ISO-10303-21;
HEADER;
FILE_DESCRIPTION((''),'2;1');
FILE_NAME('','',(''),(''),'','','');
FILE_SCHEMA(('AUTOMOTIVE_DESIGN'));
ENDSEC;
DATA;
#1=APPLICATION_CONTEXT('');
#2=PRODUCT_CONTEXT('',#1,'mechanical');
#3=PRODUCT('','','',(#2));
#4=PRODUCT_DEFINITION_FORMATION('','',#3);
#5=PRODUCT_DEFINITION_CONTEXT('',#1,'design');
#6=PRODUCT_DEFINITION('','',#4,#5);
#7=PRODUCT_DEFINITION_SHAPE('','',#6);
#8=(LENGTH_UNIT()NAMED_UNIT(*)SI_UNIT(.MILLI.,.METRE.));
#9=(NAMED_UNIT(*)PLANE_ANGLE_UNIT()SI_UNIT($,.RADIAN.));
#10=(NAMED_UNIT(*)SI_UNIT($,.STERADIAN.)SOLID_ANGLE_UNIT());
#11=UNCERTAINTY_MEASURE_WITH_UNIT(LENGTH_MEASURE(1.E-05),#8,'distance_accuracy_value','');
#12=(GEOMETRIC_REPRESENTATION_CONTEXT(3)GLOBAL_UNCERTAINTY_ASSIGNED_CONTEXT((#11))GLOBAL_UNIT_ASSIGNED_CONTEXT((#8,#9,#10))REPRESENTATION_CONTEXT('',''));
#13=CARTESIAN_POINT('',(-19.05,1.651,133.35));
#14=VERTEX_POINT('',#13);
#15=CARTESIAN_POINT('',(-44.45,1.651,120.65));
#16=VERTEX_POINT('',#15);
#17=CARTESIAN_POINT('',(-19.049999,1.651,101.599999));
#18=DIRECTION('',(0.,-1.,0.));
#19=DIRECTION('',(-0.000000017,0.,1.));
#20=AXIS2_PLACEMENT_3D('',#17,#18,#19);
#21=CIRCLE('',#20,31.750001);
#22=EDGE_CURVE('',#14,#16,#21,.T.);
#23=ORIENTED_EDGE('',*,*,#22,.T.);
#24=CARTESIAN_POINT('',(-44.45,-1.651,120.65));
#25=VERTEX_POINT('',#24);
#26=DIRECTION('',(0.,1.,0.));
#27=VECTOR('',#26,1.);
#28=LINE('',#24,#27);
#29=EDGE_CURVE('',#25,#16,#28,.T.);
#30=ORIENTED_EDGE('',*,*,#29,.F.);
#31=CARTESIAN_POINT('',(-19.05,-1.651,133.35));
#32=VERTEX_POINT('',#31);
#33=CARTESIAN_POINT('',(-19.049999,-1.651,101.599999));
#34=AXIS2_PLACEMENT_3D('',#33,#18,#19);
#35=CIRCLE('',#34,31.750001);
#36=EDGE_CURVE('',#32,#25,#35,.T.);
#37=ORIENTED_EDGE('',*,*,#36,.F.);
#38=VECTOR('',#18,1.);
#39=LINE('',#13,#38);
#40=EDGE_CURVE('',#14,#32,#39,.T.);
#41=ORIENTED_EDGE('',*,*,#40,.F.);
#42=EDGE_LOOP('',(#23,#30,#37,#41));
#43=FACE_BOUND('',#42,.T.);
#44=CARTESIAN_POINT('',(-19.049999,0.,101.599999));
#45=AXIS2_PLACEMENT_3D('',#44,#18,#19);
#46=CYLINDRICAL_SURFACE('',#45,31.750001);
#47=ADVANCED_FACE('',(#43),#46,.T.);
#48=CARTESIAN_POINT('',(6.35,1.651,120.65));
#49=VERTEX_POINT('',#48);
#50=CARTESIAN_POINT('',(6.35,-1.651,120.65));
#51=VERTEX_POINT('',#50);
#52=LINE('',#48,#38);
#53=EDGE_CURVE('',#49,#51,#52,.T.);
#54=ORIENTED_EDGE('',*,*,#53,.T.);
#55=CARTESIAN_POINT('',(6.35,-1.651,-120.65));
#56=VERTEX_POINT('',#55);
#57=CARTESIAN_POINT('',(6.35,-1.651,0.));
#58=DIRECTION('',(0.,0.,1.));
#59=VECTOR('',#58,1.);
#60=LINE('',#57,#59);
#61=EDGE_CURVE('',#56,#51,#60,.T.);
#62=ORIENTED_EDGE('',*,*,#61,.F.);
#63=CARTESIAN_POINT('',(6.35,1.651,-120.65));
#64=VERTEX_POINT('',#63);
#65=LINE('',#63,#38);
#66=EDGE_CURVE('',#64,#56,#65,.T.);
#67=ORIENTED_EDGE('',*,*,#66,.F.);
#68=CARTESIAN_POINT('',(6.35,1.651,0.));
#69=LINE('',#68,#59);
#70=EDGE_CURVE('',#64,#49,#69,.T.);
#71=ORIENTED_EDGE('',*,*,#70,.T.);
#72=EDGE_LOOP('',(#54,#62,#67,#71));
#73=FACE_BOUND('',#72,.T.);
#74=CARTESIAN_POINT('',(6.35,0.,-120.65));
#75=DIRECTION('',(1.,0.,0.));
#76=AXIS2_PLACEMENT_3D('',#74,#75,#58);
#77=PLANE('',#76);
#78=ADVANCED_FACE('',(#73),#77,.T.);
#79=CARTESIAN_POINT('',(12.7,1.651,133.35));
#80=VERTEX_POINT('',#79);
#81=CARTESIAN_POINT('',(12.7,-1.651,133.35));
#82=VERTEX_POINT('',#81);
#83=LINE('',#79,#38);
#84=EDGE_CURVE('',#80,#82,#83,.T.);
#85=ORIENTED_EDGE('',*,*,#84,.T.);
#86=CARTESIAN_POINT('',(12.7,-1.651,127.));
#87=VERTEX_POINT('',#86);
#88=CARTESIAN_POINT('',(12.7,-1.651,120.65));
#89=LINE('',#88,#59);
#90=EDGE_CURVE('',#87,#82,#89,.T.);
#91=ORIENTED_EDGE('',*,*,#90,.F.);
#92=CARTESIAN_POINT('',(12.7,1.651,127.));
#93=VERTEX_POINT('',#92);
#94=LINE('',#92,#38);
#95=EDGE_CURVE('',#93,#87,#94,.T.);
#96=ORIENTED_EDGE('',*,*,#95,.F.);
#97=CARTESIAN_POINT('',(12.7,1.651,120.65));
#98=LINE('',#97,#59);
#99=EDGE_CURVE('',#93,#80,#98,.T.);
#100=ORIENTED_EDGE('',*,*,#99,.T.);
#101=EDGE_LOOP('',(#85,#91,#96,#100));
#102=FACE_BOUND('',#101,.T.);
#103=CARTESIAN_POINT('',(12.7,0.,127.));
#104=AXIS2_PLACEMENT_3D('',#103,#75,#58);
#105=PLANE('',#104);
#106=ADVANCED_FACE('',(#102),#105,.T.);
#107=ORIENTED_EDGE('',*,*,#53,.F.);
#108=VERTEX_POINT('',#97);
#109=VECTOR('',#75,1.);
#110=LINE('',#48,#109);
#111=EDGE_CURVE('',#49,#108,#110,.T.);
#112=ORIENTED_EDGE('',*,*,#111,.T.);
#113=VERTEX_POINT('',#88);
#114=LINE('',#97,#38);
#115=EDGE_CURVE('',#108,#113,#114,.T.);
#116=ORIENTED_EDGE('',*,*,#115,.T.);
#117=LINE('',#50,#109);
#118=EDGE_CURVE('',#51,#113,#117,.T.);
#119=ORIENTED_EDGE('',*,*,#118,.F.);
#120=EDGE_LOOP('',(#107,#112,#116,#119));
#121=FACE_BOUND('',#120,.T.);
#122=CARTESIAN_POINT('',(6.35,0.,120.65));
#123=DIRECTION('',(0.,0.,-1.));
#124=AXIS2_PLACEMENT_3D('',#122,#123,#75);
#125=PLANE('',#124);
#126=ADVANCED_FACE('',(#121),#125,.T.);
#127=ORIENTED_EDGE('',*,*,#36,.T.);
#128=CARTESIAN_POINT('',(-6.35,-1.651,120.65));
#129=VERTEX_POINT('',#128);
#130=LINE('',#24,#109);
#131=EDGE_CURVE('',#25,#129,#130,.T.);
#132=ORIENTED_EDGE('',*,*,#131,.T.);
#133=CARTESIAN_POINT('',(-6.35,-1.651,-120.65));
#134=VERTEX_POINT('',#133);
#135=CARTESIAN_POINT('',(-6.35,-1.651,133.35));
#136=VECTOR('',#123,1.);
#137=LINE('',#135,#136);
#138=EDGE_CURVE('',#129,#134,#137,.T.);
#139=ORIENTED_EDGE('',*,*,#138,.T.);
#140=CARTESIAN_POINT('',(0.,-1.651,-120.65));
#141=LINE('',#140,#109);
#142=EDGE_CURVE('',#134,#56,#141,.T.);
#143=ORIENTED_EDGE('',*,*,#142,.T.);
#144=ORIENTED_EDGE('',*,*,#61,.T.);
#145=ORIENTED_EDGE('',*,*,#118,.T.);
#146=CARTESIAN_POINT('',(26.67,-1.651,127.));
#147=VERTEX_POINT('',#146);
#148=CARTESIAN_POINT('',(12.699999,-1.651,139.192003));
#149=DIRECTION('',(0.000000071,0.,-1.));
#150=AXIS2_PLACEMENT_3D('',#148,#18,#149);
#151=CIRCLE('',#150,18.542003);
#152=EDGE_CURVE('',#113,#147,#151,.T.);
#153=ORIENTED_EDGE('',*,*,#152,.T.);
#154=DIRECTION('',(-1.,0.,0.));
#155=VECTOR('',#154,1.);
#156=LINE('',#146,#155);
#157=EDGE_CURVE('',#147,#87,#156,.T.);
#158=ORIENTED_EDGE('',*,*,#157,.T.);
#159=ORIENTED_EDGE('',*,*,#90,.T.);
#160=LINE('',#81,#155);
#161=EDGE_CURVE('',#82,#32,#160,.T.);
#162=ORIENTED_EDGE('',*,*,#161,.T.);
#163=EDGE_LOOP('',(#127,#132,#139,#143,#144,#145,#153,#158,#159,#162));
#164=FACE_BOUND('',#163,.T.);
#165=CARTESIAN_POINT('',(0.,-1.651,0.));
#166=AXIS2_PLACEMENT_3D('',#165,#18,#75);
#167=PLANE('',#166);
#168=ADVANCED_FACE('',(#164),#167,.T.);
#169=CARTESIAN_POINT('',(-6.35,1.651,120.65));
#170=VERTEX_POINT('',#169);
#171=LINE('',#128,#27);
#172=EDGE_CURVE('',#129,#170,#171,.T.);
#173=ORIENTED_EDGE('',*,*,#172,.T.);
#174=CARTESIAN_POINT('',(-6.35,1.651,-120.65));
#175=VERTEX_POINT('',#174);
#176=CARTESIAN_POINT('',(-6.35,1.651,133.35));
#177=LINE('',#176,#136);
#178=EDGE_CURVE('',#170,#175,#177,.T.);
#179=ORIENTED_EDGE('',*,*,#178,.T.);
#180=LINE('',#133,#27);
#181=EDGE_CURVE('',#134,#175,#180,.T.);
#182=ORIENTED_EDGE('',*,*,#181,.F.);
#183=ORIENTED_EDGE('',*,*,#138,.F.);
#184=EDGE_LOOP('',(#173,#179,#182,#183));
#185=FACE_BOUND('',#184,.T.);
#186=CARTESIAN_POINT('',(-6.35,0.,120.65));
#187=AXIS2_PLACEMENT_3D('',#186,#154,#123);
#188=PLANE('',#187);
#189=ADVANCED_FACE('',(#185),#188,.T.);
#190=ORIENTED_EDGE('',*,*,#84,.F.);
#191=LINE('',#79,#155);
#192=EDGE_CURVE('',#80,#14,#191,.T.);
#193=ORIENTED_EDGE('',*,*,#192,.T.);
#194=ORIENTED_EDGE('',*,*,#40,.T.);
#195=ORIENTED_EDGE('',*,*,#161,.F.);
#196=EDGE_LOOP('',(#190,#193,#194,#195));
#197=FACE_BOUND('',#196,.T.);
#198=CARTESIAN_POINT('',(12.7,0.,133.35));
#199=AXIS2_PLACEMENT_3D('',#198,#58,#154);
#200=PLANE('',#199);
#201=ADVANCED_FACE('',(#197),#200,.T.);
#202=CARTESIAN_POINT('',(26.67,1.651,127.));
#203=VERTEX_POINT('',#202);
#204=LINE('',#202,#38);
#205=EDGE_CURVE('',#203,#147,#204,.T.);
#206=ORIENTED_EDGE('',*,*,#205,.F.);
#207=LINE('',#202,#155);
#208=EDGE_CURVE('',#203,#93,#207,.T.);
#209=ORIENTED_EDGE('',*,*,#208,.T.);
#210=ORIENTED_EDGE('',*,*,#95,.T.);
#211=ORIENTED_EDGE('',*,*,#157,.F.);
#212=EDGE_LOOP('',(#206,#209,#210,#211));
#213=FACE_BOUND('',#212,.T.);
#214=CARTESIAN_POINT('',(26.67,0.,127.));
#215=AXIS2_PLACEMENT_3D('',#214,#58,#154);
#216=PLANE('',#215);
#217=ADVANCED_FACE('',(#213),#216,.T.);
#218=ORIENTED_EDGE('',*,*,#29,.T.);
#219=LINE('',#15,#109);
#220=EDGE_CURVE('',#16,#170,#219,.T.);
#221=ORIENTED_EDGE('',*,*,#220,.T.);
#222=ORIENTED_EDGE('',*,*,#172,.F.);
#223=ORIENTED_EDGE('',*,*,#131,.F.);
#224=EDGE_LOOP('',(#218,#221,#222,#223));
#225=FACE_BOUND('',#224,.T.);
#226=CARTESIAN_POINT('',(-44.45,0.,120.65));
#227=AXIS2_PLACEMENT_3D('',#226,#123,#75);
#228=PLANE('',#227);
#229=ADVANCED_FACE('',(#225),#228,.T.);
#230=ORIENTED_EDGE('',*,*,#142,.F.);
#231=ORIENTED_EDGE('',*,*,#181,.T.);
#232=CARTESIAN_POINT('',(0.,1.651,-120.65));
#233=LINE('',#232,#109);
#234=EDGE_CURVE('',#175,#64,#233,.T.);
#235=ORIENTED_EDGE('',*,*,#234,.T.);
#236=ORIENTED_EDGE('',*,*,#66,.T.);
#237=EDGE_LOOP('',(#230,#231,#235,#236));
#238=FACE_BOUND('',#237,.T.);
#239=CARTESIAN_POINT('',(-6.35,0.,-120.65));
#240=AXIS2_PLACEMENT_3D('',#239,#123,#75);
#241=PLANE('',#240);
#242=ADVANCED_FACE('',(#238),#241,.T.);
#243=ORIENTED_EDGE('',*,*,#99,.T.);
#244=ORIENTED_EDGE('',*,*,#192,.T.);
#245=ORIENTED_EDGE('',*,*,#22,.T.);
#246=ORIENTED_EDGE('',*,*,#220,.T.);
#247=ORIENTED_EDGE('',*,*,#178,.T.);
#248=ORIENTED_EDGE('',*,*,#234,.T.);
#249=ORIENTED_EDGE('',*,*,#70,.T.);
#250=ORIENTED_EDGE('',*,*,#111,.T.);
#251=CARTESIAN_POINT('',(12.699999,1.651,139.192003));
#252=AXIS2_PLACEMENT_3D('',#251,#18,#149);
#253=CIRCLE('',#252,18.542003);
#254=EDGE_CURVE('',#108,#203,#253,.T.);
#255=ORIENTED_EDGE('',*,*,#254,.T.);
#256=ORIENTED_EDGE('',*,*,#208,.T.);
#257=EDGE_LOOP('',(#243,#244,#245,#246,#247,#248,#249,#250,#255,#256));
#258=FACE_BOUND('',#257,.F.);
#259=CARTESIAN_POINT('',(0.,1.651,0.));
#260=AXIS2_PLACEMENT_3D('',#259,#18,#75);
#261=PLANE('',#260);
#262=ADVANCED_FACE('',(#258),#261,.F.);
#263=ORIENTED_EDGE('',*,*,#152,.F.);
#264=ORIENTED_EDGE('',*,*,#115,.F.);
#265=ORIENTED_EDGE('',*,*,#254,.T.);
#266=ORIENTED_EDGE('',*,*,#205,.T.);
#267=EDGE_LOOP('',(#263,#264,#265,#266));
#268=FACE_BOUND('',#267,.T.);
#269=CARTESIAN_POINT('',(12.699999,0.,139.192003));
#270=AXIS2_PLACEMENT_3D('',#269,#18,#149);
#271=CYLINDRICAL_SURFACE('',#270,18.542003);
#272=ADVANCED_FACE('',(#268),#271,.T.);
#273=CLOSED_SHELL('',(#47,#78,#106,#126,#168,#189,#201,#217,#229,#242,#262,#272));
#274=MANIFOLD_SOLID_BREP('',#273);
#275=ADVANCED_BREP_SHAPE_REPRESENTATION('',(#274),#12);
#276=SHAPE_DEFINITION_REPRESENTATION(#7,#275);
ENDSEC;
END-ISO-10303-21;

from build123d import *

# Parameters (mm, degrees)
F0_W     = 12.7
F0_H     = 241.3
F0_H_2   = 12.7
F1_DEPTH = 1.651


with BuildPart() as f1:
    # F0 (on Front) → F1 (new body, symmetric)
    with BuildSketch(Plane.XZ):
        Rectangle(F0_W, F0_H)
        Polygon((6.35, 133.35), (6.35, 120.65), (12.7, 120.65), (12.7, 127), (12.7, 133.35), align=None)
        with Locations((0, 127)):
            Rectangle(F0_W, F0_H_2)
        with BuildLine():
            Line((-44.45, 120.65), (-6.35, 120.65))
            Line((-6.35, 120.65), (-6.35, 133.35))
            Line((-6.35, 133.35), (-19.05, 133.35))
            ThreePointArc((-19.05, 133.35), (-33.249032, 129.998063), (-44.45, 120.65))
        make_face()
        with BuildLine():
            Line((12.7, 127), (12.7, 120.65))
            ThreePointArc((12.7, 120.65), (20.372734, 122.311985), (26.67, 127))
            Line((26.67, 127), (12.7, 127))
        make_face()
    extrude(amount=F1_DEPTH, both=True)


solid = f1.part
